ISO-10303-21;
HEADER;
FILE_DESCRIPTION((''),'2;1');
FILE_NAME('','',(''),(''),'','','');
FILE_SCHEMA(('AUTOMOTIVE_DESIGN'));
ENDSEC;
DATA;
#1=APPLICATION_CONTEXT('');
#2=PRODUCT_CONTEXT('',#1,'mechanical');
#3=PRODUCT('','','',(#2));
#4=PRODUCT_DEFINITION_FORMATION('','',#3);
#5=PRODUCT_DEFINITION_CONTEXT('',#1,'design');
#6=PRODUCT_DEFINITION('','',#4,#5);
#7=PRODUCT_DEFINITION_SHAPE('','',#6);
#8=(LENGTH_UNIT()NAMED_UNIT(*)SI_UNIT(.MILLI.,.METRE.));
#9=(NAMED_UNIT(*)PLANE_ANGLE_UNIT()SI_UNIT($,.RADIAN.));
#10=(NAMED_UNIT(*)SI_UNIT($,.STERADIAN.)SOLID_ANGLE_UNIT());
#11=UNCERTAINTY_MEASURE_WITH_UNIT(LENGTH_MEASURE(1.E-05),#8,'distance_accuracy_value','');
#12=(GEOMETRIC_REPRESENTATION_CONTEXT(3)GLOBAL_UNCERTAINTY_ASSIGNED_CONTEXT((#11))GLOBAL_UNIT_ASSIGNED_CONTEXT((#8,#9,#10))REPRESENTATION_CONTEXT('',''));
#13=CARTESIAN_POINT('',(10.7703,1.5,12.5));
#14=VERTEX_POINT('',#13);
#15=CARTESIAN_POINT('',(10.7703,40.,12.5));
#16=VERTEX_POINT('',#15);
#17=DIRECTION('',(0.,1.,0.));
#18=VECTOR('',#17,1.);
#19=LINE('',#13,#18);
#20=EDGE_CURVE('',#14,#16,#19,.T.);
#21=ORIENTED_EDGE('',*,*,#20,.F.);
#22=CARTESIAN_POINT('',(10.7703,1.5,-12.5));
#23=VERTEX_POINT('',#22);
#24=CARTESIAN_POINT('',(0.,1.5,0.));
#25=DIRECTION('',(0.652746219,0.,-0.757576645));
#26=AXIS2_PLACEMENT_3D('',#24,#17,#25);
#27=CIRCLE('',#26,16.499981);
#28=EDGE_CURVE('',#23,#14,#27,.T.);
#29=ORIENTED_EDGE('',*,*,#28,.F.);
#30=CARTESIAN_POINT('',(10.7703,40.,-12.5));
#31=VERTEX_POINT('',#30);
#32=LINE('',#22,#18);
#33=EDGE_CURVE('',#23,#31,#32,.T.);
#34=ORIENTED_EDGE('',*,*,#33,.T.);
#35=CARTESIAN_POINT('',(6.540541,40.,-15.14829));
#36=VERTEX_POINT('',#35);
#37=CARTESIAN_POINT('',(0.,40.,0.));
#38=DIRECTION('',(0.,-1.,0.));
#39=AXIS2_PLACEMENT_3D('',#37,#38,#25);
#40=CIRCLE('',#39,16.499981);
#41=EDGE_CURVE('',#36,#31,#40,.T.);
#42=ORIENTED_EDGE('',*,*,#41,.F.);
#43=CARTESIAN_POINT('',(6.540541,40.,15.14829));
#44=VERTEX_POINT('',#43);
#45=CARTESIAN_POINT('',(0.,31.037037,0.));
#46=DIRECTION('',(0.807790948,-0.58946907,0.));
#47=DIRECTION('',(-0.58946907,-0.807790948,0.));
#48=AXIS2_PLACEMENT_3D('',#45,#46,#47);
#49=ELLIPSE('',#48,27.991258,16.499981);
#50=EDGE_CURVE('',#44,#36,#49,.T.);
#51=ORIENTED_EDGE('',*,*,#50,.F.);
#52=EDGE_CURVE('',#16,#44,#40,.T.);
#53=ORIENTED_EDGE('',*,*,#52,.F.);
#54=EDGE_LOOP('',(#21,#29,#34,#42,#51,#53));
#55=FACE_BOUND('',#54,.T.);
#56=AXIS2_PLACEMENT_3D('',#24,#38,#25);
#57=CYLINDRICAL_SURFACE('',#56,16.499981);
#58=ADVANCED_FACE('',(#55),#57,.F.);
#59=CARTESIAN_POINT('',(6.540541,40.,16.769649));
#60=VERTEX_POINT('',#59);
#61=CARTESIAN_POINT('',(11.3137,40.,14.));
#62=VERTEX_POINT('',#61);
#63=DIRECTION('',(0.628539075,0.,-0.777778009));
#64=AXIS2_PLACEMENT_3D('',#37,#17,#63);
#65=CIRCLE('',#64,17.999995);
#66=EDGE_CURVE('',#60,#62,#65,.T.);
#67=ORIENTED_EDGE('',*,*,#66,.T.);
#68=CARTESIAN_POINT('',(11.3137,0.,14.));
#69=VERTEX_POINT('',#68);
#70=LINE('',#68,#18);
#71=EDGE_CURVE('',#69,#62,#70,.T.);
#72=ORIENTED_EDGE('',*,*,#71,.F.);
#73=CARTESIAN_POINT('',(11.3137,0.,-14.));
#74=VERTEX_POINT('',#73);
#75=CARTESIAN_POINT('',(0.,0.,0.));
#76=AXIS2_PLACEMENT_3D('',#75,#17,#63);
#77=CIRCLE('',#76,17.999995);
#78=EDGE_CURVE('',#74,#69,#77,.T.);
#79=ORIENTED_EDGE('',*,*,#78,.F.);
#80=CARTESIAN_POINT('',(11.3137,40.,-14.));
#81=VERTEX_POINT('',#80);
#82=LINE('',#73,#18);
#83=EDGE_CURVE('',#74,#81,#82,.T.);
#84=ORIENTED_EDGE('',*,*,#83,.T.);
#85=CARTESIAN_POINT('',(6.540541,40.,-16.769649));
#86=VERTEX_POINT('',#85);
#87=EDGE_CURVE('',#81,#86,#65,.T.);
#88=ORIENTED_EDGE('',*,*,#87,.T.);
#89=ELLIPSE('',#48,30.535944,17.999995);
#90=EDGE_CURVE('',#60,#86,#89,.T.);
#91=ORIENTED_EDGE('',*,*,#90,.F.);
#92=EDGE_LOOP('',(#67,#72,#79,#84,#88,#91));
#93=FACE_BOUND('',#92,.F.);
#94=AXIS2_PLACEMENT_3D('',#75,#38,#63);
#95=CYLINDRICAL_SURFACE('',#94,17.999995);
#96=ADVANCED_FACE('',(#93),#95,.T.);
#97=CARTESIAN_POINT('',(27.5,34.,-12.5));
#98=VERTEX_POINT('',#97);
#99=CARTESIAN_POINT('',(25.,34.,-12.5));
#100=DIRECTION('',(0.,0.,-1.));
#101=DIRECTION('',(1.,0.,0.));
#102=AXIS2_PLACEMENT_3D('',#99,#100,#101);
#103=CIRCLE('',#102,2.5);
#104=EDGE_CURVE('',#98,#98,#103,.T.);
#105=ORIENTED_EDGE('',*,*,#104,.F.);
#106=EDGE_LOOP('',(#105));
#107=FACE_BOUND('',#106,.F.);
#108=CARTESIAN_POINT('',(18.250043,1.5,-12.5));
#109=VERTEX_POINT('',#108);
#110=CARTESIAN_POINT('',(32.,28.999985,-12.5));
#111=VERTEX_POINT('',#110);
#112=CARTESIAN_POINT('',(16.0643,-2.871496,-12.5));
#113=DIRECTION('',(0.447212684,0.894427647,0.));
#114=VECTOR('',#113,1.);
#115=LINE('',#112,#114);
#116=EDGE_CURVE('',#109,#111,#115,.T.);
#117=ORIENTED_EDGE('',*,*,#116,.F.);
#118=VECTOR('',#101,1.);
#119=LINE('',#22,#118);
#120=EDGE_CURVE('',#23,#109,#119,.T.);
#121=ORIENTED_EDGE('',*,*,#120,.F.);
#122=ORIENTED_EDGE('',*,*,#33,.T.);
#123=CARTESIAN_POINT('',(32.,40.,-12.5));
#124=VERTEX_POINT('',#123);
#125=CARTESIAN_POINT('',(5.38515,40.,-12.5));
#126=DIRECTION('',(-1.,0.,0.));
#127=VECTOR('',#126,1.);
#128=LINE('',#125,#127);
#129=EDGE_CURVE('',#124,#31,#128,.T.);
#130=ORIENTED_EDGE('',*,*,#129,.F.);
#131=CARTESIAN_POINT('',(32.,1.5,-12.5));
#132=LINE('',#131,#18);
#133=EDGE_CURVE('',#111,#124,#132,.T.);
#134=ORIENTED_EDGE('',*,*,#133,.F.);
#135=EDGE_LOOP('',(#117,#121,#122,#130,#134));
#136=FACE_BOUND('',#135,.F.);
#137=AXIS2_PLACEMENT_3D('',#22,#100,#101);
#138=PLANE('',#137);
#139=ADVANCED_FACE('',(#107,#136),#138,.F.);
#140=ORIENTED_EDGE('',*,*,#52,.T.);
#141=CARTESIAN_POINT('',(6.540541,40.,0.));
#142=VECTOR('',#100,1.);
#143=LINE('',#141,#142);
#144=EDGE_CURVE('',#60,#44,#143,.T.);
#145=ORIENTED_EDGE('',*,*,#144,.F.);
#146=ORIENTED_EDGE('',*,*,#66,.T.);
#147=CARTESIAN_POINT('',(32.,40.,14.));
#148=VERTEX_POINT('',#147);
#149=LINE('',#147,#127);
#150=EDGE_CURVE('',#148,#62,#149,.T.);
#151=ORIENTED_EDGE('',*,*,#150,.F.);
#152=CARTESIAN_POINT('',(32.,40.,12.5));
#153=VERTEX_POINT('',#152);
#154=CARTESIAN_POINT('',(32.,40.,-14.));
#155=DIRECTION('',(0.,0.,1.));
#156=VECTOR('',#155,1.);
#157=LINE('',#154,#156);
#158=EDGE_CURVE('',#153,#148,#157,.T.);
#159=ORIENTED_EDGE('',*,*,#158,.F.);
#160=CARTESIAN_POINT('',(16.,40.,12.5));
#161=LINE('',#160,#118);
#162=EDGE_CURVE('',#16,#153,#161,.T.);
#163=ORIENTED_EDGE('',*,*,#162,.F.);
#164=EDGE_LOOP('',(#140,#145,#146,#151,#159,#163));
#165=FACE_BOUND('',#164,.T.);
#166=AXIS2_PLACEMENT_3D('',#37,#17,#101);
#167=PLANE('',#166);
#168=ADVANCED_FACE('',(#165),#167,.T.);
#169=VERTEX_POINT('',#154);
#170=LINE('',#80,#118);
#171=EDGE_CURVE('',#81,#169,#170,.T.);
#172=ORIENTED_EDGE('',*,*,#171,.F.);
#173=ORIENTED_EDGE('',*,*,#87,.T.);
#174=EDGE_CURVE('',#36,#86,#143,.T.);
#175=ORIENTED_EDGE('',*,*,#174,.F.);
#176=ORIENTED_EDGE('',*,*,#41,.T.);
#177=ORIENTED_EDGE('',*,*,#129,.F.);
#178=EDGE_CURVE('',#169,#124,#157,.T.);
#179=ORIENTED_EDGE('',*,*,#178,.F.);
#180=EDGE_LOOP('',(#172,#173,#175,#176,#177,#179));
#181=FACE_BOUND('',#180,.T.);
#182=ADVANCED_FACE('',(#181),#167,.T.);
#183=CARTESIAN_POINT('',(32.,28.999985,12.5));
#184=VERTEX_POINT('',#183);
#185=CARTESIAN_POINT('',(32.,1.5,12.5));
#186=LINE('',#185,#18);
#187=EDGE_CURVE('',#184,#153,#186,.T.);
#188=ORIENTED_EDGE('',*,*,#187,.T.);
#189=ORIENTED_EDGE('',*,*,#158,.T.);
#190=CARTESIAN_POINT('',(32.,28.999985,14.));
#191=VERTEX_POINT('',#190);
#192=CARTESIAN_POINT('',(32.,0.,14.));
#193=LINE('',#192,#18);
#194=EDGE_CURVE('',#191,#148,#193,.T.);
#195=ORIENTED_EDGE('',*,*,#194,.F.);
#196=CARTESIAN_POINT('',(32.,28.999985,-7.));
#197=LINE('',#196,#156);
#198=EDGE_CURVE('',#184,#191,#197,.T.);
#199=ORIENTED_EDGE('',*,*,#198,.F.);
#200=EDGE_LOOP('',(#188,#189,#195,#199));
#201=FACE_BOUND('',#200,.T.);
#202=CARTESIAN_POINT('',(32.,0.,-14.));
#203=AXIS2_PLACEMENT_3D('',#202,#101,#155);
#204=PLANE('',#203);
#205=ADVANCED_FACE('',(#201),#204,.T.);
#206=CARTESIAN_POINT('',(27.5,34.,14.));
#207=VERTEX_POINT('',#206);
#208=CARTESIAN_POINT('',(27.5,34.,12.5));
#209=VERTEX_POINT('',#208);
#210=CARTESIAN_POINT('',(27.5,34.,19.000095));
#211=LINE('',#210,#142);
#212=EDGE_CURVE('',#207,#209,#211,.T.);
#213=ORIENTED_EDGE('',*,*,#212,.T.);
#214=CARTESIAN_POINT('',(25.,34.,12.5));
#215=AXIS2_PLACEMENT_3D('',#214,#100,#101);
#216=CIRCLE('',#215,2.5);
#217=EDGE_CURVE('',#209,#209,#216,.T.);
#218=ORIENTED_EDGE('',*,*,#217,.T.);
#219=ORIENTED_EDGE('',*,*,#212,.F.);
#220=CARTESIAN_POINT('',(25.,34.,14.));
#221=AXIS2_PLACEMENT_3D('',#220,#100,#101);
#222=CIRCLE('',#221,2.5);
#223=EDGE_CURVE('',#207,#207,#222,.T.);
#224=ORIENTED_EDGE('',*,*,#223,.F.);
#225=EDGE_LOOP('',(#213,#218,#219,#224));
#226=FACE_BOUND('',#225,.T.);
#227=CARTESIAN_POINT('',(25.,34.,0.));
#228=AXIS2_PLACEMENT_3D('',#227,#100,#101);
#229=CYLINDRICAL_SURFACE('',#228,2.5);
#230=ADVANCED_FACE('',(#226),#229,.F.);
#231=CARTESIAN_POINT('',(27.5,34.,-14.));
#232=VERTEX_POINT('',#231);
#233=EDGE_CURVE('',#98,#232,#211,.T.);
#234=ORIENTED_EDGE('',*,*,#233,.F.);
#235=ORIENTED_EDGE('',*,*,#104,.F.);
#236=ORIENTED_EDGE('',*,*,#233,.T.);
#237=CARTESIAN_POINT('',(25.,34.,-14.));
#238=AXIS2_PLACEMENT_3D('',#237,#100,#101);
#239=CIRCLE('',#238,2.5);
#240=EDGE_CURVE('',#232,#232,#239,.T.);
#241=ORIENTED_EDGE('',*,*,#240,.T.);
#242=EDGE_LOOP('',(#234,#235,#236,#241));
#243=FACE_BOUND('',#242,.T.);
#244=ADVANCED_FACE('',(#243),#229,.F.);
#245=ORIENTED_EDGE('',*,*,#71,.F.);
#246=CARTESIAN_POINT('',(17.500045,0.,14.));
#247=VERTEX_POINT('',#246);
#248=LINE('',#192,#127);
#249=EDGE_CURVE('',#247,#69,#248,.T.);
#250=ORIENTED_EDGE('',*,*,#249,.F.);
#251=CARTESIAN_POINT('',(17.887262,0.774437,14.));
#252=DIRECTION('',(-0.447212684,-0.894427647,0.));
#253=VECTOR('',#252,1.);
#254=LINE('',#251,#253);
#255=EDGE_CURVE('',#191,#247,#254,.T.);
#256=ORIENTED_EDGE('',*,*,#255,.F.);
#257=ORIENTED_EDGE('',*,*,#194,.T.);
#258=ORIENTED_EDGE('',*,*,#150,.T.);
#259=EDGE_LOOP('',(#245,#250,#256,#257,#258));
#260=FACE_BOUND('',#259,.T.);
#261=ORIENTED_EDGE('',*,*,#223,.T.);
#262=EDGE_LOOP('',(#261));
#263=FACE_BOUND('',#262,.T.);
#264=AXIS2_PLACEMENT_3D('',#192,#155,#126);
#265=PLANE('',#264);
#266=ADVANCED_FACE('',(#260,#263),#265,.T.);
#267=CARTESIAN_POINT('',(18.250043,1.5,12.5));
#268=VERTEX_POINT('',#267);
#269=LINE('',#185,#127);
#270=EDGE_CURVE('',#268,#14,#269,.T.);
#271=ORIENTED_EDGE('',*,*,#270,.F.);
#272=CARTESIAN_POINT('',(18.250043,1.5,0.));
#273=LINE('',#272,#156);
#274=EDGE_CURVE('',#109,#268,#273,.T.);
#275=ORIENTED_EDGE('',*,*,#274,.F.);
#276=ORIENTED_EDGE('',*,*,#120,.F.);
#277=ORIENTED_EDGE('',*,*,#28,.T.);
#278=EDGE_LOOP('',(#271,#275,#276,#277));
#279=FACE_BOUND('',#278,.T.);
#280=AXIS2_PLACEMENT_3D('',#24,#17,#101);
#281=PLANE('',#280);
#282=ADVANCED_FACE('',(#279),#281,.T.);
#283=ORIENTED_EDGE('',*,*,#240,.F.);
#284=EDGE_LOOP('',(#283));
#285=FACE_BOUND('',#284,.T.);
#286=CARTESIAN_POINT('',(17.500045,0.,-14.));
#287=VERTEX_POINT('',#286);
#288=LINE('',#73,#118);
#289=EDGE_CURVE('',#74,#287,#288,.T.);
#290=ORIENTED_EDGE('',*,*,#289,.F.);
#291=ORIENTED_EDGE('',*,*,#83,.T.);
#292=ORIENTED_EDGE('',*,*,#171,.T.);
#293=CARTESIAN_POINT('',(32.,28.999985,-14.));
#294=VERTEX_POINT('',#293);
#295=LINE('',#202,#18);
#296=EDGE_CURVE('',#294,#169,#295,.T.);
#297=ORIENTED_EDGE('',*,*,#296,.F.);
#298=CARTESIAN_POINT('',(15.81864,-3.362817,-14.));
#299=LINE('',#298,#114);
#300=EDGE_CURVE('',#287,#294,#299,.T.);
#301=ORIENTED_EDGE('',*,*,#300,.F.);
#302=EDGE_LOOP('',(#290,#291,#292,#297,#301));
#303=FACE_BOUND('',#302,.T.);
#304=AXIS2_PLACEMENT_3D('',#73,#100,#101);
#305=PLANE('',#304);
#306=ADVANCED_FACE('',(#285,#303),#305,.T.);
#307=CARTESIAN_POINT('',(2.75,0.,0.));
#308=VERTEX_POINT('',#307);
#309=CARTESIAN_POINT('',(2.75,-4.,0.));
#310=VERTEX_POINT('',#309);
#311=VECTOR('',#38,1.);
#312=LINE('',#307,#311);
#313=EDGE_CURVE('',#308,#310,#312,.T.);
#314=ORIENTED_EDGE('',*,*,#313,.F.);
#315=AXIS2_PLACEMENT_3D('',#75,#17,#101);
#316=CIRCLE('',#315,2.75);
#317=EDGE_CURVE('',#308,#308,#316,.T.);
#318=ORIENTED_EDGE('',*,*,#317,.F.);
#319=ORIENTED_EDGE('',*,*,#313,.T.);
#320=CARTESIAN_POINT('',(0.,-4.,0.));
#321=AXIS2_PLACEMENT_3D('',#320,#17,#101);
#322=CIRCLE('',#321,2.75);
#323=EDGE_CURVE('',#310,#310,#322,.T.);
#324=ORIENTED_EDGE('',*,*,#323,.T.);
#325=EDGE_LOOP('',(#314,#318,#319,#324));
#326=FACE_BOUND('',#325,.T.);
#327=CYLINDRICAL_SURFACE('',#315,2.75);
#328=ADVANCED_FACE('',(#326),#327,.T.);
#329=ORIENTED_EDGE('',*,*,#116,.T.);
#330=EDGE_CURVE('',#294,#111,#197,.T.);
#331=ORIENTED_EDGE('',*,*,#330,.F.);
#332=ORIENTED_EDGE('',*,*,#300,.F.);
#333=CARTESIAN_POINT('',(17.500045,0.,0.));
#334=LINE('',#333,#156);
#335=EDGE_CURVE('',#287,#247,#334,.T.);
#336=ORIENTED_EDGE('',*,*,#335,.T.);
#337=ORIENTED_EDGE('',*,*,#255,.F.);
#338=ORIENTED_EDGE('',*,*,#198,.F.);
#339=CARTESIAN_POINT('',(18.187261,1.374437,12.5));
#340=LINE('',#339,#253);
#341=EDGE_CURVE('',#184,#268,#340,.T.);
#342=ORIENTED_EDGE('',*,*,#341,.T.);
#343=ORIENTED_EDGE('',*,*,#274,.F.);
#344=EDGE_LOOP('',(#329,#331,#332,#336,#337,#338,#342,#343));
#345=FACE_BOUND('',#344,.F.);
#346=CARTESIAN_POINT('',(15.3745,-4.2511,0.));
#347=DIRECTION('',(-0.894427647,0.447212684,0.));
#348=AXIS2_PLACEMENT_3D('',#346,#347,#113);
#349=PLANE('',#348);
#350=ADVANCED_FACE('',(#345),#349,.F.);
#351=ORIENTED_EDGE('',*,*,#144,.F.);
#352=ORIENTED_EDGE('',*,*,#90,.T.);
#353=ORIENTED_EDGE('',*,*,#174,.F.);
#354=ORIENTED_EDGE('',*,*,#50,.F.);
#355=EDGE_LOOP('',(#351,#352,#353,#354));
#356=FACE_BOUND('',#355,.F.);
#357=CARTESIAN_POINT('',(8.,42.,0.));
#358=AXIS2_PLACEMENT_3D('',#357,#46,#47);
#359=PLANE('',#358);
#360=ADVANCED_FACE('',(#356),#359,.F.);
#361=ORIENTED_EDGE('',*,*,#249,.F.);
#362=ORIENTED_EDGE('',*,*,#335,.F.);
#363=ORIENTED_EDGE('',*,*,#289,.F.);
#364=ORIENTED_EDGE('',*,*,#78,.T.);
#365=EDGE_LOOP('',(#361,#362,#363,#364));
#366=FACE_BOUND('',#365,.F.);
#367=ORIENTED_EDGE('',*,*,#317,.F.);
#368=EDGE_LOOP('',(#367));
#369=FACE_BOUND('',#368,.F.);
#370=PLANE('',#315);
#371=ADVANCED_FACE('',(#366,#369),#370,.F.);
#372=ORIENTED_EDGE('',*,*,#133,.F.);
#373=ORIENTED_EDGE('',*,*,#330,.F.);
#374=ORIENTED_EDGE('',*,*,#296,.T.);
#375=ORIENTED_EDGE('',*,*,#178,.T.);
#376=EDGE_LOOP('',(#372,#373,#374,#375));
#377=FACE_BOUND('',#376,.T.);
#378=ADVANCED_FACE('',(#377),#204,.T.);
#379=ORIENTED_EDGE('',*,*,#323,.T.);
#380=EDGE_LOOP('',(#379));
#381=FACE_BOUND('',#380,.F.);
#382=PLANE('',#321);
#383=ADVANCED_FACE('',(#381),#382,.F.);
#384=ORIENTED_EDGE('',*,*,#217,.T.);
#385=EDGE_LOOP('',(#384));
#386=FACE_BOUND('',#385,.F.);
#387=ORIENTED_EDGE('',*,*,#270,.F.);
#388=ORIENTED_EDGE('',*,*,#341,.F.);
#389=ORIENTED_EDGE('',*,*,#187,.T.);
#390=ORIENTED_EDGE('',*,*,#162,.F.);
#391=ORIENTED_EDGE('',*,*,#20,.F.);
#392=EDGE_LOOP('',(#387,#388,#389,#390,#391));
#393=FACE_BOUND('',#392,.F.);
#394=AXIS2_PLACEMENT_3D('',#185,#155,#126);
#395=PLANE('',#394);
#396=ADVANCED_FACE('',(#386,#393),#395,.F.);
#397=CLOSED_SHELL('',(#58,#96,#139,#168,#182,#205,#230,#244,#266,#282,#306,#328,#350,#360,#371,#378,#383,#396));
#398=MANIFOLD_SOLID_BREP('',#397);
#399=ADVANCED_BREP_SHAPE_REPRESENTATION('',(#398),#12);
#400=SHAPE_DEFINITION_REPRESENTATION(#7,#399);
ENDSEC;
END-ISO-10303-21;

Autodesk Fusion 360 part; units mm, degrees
sketch "Sketch1" plane through (0, 0, 0) normal (0, 1, 0) x (1, 0, 0)
  line L0 (11.3137, 14) -> (32, 14)
  line L1 (32, 14) -> (32, -14)
  line L2 (32, -14) -> (11.3137, -14)
  arc A0 (11.3137, 14) -> (11.3137, -14) centre (0, 0) ccw
  line L3 (32, -12.5) -> (10.7703, -12.5)
  arc A1 (10.7703, 12.5) -> (10.7703, -12.5) centre (0, 0) ccw
  line L4 (10.7703, 12.5) -> (32, 12.5)
  circle A2 centre (0, 0) radius 2.75
  dimension "d1" = 36
  dimension "d4" = 1.5
  dimension "d5" = 5.5
extrude "Extrude1" add sketch "Sketch1" along normal blind 40 contours L0 L1 L2 A0 L3 A1 L4 | L1 L3 A1 L4 | A2
extrude "Extrude2" cut sketch "Sketch1" along normal through all from surface at 1.5 contours L1 L3 A1 L4 | A2
extrude "Extrude3" add sketch "Sketch1" against normal blind 4 contours A2
sketch "Sketch2" plane through (0, 0, 0) normal (0, 0, 1) x (1, 0, 0)
  line L0 (15.3745, -4.2511) -> (35, 35)
  line L1 (35, 35) -> (35, 42)
  line L2 (35, 42) -> (8, 42)
  line L3 (8, 42) -> (-19, 5)
  line L4 (-19, 5) -> (-19, -4.2511)
  line L5 (-19, -4.2511) -> (15.3745, -4.2511)
  circle A0 centre (25, 34) radius 2.5
  dimension "d12" = 5
extrude "Extrude4" cut sketch "Sketch2" along normal through all and the other way through all keep common part
